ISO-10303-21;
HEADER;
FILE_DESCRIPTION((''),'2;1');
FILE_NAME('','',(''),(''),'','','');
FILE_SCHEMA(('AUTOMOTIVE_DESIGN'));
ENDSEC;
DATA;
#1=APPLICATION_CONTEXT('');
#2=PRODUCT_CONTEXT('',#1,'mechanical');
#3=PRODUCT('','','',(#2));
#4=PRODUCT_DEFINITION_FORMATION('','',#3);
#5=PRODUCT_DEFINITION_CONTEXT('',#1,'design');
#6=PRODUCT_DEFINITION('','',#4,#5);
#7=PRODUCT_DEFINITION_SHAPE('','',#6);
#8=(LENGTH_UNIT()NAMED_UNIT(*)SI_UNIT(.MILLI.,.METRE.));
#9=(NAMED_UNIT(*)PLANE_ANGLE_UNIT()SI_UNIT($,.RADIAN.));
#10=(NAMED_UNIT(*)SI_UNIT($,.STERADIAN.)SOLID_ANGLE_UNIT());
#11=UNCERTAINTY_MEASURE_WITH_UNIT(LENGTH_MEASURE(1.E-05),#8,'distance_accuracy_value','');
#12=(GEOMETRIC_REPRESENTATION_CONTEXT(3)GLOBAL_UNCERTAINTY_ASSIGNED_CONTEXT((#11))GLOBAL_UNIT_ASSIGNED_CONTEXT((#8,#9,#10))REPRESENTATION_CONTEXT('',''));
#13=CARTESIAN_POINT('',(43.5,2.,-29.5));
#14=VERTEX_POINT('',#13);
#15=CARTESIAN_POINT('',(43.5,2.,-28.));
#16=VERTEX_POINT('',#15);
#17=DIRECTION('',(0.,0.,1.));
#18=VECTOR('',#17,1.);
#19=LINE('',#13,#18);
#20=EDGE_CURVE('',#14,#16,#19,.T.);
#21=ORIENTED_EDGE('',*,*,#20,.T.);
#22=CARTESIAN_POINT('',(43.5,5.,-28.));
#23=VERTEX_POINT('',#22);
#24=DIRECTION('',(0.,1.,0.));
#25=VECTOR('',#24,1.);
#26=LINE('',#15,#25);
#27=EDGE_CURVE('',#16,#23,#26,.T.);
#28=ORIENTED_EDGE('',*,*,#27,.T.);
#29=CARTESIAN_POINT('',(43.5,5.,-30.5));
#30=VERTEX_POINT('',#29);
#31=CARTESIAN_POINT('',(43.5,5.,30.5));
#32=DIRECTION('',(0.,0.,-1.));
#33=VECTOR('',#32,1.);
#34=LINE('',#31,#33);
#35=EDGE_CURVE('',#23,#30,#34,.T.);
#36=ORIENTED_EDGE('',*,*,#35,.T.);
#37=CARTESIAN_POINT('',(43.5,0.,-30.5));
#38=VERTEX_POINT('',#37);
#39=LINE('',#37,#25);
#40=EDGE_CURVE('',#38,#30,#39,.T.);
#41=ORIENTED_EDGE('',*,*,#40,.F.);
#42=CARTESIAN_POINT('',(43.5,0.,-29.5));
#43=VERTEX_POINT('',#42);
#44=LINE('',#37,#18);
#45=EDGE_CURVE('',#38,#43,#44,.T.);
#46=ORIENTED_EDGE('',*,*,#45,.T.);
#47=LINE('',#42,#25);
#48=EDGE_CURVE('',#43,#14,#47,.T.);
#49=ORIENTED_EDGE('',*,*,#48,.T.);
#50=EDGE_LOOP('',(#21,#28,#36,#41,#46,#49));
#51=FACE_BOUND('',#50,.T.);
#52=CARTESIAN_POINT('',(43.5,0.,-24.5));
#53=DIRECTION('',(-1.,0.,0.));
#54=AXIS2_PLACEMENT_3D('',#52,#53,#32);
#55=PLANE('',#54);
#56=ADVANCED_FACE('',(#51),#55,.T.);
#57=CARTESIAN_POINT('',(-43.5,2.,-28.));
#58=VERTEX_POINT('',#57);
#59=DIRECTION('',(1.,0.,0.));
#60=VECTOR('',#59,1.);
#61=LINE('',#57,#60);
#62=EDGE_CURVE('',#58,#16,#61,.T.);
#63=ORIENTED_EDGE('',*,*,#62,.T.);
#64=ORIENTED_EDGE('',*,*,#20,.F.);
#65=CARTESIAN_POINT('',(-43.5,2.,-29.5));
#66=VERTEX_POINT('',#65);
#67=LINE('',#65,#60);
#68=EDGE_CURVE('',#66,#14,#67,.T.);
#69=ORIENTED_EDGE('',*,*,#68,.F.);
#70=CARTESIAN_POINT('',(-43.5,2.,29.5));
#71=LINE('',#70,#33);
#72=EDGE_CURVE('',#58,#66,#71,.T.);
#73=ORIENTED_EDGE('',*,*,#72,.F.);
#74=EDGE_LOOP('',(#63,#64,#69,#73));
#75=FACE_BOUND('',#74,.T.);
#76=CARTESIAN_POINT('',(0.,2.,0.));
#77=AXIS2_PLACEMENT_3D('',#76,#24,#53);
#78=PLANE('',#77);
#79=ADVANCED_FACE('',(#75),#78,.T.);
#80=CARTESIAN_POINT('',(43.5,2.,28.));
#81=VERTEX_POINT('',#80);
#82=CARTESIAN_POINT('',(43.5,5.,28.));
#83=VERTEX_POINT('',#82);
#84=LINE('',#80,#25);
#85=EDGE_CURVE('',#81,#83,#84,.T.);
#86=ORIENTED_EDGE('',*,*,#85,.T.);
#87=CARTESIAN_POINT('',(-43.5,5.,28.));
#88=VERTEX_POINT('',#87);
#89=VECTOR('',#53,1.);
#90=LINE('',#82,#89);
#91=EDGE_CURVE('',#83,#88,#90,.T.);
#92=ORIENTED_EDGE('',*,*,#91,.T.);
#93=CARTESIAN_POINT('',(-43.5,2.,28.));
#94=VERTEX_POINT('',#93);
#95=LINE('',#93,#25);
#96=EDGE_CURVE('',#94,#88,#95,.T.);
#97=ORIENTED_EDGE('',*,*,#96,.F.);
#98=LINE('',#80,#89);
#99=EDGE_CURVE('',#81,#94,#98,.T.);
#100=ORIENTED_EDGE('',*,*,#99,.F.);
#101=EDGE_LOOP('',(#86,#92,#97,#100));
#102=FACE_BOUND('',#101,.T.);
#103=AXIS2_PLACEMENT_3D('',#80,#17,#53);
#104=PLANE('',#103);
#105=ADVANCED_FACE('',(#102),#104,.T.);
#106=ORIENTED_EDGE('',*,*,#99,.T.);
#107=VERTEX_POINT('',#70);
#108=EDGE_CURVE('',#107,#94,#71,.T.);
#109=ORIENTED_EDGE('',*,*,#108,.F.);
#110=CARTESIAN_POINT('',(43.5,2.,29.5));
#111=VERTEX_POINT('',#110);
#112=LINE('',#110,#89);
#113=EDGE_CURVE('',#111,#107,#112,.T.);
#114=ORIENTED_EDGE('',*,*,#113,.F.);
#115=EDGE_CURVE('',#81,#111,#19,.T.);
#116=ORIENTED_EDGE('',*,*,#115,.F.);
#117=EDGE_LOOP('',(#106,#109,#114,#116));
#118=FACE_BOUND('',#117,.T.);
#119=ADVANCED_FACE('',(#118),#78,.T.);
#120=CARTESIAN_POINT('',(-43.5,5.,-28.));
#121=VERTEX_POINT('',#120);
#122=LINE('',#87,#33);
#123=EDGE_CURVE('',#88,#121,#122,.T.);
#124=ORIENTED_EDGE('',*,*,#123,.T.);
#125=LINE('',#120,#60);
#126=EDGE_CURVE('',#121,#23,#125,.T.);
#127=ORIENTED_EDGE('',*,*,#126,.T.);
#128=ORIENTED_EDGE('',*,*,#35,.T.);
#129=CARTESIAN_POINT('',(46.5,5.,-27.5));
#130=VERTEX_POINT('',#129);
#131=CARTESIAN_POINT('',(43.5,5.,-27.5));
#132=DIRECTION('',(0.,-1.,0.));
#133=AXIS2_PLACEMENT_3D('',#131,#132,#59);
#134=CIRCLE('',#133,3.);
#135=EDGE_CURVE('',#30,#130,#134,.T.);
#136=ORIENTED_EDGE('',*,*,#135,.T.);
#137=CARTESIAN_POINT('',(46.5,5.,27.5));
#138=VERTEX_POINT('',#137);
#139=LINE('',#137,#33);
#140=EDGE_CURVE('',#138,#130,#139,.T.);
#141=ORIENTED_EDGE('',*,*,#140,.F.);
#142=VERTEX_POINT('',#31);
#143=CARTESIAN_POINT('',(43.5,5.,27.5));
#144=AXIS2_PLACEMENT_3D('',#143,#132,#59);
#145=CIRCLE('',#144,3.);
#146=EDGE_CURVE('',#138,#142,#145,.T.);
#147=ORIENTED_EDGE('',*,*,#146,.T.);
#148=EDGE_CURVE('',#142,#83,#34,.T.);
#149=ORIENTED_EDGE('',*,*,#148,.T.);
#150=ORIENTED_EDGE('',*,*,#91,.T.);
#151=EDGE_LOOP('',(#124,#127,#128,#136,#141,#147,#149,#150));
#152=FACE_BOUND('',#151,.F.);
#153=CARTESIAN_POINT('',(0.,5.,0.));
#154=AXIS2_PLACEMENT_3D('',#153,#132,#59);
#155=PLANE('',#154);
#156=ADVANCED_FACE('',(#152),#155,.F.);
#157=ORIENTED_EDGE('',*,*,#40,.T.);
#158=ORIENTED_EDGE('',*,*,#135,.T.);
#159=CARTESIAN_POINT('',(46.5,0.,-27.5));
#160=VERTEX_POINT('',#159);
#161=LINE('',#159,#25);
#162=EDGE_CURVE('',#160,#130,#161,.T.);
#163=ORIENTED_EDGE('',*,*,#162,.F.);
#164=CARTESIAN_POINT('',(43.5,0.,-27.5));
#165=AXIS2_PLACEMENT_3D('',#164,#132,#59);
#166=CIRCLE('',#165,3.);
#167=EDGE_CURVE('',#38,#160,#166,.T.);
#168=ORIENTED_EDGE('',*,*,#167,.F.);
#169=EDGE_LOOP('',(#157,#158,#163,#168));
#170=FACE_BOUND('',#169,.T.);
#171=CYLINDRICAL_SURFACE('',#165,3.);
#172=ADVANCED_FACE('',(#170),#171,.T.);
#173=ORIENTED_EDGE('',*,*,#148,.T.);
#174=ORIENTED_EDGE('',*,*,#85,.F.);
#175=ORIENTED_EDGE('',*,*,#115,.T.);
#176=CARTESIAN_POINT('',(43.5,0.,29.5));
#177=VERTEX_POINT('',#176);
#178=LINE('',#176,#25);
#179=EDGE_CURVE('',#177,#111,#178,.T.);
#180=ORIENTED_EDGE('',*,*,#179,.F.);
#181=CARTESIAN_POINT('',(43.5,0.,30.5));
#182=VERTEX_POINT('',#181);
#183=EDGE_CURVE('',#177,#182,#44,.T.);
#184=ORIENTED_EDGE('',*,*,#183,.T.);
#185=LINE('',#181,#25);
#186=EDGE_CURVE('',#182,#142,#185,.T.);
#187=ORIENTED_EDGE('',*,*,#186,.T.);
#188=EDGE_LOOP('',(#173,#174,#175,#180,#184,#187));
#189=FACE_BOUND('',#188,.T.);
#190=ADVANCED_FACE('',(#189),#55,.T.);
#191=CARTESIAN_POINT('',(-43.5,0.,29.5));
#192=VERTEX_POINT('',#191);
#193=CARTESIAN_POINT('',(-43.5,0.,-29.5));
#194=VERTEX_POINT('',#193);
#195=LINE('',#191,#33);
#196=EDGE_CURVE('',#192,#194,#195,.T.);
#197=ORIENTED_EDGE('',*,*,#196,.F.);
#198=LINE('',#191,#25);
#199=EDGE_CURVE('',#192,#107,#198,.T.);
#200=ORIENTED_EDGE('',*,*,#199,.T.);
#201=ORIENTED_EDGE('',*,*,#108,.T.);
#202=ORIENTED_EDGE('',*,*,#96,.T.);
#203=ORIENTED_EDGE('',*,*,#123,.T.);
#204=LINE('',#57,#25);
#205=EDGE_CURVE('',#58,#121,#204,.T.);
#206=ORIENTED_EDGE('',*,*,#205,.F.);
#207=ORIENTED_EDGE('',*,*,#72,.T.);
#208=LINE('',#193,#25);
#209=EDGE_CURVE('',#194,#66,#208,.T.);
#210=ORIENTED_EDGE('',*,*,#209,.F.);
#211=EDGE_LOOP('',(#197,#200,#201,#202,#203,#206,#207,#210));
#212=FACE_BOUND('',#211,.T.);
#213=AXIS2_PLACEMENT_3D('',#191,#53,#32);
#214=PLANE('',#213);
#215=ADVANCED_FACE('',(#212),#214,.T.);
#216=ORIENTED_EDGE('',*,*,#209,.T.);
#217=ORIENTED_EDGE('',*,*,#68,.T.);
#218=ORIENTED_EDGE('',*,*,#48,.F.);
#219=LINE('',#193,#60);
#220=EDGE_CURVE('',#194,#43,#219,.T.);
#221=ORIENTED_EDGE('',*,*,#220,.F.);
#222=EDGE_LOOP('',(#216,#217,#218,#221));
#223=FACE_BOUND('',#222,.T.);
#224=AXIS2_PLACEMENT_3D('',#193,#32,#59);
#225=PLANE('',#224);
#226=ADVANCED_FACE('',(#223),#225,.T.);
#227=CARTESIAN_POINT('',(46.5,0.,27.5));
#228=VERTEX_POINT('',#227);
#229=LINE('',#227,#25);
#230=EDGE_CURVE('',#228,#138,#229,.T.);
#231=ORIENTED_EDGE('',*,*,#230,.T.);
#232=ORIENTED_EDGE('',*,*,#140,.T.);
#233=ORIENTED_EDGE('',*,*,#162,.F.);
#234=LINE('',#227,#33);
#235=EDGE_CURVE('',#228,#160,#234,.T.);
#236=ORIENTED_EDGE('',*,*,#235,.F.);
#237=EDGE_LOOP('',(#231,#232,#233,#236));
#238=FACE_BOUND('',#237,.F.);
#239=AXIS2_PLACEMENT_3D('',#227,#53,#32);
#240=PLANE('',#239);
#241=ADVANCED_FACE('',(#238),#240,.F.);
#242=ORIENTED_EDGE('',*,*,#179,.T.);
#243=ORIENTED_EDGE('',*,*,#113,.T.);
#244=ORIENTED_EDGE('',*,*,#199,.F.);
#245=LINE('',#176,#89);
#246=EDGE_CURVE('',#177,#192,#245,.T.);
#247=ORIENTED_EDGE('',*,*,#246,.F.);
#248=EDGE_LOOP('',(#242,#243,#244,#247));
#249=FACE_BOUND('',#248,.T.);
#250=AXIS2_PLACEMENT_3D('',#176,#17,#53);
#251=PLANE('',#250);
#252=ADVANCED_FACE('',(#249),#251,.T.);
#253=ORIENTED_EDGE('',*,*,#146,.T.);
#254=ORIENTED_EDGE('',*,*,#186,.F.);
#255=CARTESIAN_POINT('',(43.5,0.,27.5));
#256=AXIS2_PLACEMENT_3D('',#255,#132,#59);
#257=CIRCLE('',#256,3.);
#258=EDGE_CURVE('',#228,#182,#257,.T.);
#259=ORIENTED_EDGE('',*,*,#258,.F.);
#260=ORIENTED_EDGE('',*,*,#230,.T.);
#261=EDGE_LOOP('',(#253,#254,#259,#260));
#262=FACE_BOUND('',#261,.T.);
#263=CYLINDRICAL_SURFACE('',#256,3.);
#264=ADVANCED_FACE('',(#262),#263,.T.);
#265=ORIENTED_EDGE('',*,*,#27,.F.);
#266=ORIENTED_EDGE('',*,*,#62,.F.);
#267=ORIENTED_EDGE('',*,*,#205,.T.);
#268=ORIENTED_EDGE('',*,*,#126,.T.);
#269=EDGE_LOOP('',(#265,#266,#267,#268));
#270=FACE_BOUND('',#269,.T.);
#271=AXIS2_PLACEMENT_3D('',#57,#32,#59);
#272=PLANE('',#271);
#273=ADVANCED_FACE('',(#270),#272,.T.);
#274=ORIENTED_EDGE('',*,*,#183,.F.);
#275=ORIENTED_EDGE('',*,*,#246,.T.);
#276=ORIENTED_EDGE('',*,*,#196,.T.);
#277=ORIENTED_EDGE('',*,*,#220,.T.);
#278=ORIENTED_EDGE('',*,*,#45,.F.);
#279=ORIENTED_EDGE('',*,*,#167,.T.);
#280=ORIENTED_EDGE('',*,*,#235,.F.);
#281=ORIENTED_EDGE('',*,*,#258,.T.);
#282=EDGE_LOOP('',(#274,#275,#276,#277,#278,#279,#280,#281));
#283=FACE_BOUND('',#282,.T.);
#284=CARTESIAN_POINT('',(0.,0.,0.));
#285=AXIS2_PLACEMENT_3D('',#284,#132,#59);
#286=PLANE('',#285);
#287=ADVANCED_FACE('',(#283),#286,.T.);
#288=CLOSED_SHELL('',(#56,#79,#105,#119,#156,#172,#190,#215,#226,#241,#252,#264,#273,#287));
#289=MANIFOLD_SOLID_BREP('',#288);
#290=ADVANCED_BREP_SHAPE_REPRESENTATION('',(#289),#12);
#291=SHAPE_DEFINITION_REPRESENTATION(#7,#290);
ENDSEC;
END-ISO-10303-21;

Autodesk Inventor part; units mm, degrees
ref_plane "YZ Plane" through (0, 0, 0) normal (1, 0, 0) x (0, 1, 0)
ref_plane "XZ Plane" through (0, 0, 0) normal (0, 1, 0) x (-1, 0, 0)
ref_plane "XY Plane" through (0, 0, 0) normal (0, 0, 1) x (1, 0, 0)
sketch "Эскиз1" plane through (0, 0, 0) normal (0, 1, 0) x (-1, 0, 0)
  line L0 (43.5, -29.5) -> (-43.5, -29.5)
  line L1 (-43.5, -29.5) -> (-43.5, 29.5)
  line L2 (-43.5, 29.5) -> (43.5, 29.5)
  line L3 (43.5, 29.5) -> (43.5, -29.5)
  line L4 (43.5, -29.5) -> (-43.5, 29.5) construction
  line L5 (-43.5, -29.5) -> (43.5, 29.5) construction
  point P0 (0, 0)
  dimension "d0" = 87
  dimension "d1" = 59
extrude "Выдавливание1" add sketch "Эскиз1" along normal blind 2
sketch "Эскиз2" plane through (0, 2, 0) normal (0, 1, 0) x (1, 0, 0)
  line L0 (43.5, -28) -> (-43.5, -28)
  line L1 (-43.5, -28) -> (-43.5, 28)
  line L2 (-43.5, 28) -> (43.5, 28)
  line L3 (43.5, 28) -> (43.5, -28)
  line L4 (43.5, -28) -> (-43.5, 28) construction
  line L5 (-43.5, -28) -> (43.5, 28) construction
  point P0 (0, 0)
  dimension "d4" = 87
  dimension "d5" = 56
extrude "Выдавливание2" add sketch "Эскиз2" along normal blind 3
sketch "Эскиз3" plane through (0, 0, 0) normal (0, -1, 0) x (1, 0, 0)
  line L0 (43.5, 29.5) -> (43.5, -29.5) projected
  line L1 (43.5, 0) -> (43.5, -30.5)
  line L2 (43.5, 0) -> (43.5, 30.5)
  line L3 (43.5, -30.5) -> (43.5, -27.5)
  circle A0 centre (43.5, -27.5) radius 3
  line L4 (43.5, 0) -> (-8.3438, 0)
  circle A1 centre (43.5, 27.5) radius 3
  line L5 (46.5, 27.5) -> (46.5, -27.5)
  point P0 (0, 0)
  dimension "d8" = 30.5
  dimension "d9" = 30.5
  dimension "d10" = 3
extrude "Выдавливание3" add sketch "Эскиз3" against normal blind 5 contours L0 A0 L1 | L0 A1 L5 A0 | L0 L2 A1 picked at (44.2818, -28.7902) picked at (43.7225, 26.1917)
properties part number "bt-lid"
